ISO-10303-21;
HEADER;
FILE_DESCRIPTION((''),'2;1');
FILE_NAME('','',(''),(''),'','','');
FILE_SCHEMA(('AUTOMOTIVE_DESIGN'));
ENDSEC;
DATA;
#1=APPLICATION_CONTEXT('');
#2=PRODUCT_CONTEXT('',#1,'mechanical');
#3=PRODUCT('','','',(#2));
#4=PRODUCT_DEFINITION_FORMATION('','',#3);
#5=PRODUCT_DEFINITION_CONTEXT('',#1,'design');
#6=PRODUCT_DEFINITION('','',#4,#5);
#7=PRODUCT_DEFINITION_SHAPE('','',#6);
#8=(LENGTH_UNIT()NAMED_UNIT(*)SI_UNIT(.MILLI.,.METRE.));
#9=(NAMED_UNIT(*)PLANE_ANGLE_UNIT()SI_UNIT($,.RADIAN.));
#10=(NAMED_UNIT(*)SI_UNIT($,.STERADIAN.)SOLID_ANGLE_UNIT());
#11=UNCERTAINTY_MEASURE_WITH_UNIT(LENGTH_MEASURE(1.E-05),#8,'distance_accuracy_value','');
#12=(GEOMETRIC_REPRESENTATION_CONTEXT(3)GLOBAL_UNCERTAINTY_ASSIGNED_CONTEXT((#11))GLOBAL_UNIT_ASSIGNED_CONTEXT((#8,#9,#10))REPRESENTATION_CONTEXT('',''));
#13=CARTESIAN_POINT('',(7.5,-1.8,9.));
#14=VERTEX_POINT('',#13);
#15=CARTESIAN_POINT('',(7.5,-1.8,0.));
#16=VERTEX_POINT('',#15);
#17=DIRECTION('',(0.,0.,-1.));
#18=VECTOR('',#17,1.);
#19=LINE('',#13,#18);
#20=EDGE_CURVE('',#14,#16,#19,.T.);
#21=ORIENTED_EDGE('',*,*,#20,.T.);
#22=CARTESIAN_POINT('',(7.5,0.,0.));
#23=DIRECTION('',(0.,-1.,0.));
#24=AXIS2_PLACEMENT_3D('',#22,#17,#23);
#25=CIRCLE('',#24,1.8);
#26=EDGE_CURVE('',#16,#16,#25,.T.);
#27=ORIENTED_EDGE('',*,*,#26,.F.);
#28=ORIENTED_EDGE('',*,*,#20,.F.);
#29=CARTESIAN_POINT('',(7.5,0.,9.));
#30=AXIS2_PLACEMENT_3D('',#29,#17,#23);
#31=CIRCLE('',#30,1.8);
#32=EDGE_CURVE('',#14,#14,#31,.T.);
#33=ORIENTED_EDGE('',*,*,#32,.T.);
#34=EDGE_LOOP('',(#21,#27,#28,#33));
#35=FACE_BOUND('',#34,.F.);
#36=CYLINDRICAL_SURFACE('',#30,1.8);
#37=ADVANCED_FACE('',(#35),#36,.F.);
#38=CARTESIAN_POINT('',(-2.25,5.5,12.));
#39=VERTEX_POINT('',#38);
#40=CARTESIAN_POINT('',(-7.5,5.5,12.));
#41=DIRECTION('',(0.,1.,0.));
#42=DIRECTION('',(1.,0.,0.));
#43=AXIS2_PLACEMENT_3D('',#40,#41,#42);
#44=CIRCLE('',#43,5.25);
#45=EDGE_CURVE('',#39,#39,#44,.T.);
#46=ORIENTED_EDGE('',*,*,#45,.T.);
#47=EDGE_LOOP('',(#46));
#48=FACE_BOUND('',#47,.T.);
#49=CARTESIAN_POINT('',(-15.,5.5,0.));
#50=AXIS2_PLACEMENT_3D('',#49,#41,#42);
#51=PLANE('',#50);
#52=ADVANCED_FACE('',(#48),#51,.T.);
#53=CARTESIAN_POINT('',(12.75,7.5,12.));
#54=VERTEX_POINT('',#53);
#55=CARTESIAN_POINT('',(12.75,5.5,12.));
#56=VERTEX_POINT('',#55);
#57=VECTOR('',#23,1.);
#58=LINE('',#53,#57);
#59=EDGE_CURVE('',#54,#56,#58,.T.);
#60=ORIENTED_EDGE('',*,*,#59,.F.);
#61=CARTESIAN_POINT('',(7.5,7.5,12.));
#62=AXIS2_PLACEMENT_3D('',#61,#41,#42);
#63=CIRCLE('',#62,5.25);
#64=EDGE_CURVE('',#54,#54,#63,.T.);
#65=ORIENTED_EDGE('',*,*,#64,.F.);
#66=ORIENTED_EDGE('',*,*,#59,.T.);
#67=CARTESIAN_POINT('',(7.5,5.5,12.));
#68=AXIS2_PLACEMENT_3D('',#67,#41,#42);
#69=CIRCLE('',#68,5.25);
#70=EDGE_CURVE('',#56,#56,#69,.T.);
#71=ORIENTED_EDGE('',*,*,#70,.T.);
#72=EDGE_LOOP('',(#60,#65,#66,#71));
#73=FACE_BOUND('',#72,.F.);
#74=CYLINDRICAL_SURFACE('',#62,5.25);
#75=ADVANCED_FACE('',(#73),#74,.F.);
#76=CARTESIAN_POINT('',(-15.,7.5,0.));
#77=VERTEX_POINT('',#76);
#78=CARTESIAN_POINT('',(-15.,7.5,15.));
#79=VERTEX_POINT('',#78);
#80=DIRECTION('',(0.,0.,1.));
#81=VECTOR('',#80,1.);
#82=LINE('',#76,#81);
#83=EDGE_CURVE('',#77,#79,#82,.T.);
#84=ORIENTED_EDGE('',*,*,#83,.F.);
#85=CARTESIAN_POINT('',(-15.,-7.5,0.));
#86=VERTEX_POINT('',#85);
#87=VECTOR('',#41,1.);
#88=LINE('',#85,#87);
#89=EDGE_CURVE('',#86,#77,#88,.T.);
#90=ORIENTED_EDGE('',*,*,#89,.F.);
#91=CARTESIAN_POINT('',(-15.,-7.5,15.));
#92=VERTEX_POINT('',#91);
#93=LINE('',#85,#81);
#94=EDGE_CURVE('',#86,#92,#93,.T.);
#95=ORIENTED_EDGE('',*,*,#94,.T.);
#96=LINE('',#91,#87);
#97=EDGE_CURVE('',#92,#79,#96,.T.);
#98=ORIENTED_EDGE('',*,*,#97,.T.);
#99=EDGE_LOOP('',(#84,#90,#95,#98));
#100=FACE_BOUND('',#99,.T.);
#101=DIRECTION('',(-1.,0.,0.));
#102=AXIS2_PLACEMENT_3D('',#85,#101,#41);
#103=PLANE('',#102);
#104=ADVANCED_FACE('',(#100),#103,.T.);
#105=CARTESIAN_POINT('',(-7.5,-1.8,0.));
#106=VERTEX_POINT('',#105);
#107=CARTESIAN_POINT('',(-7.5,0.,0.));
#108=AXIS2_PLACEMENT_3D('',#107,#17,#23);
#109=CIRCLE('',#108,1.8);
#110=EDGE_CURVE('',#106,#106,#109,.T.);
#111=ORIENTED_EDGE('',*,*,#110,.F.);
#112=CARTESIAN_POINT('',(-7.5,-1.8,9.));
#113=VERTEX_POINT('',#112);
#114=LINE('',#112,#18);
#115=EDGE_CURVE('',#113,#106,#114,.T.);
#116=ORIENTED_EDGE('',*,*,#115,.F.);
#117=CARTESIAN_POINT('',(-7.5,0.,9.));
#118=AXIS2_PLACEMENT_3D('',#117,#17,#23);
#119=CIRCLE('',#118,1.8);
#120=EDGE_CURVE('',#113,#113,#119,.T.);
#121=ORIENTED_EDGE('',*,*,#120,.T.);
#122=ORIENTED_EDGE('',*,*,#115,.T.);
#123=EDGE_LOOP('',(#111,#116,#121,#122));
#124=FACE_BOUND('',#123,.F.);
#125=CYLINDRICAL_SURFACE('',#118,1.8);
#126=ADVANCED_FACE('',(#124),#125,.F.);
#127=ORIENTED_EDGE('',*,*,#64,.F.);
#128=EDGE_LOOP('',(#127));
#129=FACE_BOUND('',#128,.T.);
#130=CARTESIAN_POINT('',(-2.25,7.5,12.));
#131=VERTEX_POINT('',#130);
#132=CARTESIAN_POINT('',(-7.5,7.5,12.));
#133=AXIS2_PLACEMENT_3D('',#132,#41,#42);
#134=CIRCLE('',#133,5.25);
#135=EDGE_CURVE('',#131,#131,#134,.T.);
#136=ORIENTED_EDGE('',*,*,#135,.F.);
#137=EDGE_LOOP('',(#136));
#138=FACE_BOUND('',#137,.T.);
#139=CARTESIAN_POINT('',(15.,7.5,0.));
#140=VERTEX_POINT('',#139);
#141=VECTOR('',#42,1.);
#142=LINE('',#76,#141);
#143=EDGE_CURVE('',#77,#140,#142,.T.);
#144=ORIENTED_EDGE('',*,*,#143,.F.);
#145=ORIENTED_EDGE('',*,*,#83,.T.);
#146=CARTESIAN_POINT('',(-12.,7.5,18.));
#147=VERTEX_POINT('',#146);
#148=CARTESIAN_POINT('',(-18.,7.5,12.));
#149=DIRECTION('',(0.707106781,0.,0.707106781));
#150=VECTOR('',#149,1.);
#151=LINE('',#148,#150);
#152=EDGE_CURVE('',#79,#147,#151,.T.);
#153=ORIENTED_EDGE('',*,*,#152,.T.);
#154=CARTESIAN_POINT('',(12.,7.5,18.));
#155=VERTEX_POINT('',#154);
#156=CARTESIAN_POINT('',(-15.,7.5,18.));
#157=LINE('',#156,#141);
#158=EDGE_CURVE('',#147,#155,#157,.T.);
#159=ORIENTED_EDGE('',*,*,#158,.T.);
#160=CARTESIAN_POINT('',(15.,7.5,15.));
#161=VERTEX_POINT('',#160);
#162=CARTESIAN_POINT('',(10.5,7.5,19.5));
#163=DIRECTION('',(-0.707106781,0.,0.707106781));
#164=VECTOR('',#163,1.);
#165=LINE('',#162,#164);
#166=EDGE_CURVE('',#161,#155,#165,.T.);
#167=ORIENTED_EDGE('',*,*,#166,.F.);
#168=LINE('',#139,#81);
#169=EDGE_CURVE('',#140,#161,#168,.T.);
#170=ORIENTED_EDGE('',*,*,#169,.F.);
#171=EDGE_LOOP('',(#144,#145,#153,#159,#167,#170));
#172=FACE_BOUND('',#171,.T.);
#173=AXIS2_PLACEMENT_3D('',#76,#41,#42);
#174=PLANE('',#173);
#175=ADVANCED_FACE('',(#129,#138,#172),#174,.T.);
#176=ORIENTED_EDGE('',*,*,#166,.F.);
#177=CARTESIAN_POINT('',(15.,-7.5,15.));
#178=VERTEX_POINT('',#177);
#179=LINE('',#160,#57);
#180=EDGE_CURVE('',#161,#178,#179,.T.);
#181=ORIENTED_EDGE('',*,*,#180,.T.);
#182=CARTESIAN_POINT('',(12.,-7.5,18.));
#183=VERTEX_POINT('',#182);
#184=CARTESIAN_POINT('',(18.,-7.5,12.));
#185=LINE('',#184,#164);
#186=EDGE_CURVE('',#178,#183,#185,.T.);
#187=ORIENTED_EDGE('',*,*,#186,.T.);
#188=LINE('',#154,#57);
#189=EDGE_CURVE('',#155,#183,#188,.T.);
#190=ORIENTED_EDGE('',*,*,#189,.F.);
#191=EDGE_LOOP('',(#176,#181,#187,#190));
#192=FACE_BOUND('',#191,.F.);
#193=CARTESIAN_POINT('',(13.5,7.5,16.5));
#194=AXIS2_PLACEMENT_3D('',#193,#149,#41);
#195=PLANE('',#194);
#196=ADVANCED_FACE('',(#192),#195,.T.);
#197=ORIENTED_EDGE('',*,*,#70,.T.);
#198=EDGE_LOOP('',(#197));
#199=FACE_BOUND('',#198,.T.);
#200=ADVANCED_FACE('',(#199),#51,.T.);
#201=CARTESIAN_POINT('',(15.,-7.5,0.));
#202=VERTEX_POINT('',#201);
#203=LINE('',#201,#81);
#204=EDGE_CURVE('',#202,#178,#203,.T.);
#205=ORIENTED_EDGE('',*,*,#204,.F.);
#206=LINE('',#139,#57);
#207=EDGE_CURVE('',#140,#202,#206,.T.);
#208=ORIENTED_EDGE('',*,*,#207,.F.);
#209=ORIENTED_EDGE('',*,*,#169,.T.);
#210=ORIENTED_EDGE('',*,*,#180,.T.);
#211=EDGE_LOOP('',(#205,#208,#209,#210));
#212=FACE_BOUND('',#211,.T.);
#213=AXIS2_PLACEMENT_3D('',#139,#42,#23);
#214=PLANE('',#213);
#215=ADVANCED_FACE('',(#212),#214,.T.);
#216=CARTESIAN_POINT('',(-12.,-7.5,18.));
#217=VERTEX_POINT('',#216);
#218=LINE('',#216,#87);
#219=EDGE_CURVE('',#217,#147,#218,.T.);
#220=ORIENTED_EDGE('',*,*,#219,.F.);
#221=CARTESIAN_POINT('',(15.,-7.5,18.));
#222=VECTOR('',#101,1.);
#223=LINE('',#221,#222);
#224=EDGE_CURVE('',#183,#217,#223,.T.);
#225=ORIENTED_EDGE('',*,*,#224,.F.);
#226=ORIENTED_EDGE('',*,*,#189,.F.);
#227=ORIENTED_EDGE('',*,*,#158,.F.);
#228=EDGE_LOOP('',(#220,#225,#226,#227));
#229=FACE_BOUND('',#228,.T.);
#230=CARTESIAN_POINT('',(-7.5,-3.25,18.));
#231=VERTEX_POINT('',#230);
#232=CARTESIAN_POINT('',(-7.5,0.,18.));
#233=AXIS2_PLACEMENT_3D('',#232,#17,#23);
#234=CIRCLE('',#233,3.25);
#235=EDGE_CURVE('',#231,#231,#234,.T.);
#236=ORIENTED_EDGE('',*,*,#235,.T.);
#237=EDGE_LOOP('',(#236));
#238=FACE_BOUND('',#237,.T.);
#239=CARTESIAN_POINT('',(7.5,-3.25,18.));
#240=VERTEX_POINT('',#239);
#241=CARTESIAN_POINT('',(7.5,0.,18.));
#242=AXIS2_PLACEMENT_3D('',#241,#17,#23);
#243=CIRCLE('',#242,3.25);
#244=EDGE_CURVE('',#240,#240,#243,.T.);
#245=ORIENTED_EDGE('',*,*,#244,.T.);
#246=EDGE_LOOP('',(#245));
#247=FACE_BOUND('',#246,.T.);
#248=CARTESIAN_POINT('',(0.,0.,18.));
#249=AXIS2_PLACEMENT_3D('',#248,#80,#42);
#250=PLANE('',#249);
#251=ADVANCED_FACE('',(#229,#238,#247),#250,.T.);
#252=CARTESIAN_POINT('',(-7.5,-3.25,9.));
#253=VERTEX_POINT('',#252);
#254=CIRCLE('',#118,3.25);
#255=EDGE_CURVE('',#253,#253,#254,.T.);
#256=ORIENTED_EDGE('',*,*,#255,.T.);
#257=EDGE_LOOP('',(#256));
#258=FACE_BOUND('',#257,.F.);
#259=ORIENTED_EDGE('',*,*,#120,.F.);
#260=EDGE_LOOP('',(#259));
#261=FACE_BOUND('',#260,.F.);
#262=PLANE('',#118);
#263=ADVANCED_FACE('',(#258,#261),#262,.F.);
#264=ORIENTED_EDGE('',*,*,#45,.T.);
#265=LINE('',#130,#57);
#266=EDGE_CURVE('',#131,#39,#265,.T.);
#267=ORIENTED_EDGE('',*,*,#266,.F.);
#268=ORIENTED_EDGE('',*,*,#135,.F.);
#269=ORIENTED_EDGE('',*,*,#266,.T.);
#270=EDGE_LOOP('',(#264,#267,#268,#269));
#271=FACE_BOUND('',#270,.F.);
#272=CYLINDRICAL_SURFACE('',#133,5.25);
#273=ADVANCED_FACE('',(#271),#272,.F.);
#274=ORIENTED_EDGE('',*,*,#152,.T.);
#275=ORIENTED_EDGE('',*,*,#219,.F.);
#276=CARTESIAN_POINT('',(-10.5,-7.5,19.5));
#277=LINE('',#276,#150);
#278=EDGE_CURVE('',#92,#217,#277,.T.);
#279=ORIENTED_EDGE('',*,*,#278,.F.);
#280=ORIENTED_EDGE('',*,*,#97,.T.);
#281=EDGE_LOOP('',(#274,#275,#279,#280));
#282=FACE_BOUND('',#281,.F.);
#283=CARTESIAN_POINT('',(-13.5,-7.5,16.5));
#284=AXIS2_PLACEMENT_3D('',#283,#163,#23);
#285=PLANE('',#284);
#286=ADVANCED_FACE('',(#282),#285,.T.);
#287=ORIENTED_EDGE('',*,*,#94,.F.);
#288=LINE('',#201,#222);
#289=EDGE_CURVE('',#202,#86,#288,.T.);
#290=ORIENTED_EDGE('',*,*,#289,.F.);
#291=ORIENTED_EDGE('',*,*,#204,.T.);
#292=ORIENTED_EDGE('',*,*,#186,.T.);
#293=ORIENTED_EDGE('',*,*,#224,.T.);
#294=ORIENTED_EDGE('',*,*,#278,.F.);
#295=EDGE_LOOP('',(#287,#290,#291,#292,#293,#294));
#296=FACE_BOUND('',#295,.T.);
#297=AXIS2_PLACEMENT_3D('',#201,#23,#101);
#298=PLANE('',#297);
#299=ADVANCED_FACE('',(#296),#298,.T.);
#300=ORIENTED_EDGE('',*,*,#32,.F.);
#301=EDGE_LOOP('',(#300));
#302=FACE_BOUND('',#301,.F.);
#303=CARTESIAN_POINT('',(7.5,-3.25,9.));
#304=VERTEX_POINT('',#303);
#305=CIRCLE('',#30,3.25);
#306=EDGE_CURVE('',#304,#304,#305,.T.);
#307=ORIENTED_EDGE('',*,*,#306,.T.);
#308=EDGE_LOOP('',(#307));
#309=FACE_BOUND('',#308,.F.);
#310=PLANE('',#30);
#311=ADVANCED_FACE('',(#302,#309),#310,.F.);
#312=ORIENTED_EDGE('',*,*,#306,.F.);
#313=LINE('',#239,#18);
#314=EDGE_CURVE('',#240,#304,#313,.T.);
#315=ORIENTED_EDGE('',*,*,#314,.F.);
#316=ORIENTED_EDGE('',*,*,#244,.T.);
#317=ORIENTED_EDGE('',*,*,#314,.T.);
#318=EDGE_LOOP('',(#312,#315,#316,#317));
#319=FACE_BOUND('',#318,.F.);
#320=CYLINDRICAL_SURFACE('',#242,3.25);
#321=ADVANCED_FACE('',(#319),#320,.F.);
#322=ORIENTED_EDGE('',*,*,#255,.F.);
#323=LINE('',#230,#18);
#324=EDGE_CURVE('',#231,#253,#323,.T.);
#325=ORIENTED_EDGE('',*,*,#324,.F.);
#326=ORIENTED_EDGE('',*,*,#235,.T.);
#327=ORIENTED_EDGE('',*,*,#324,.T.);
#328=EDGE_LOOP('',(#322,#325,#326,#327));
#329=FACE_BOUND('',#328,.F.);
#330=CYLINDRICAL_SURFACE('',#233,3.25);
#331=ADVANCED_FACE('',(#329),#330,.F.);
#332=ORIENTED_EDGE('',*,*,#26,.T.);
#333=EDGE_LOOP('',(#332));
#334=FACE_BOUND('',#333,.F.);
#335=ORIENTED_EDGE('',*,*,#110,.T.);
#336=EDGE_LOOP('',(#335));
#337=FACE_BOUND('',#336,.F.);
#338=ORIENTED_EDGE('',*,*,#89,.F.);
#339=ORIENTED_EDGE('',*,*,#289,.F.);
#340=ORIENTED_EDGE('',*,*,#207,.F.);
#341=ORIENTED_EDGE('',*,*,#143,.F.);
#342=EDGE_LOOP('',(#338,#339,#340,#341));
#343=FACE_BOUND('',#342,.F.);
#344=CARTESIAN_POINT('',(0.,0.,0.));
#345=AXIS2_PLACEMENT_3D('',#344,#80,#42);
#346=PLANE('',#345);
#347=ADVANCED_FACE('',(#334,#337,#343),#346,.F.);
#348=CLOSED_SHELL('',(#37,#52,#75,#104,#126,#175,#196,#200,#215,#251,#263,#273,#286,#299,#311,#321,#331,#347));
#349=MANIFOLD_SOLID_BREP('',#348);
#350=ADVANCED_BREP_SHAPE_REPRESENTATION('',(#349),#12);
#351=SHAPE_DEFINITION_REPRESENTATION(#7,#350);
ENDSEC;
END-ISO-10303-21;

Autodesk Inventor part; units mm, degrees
ref_plane "YZ Plane" through (0, 0, 0) normal (1, 0, 0) x (0, 1, 0)
ref_plane "XZ Plane" through (0, 0, 0) normal (0, 1, 0) x (-1, 0, 0)
ref_plane "XY Plane" through (0, 0, 0) normal (0, 0, 1) x (1, 0, 0)
sketch "Sketch1" plane through (0, 0, 0) normal (0, 0, 1) x (1, 0, 0)
  line L0 (15, -7.5) -> (-15, -7.5)
  line L1 (-15, -7.5) -> (-15, 7.5)
  line L2 (-15, 7.5) -> (15, 7.5)
  line L3 (15, 7.5) -> (15, -7.5)
  line L4 (15, -7.5) -> (-15, 7.5) construction
  line L5 (-15, -7.5) -> (15, 7.5) construction
  point P0 (0, 0)
  dimension "d0" = 15
  dimension "d1" = 30
extrude "Extrusion1" add sketch "Sketch1" along normal blind 18
sketch "Sketch2" plane through (-15, 7.5, 0) normal (0, 1, 0) x (1, 0, 0)
  line L0 (30, 0) -> (0, 0) projected
  line L1 (0, 0) -> (0, -18) projected
  line L2 (30, -18) -> (0, -18) projected
  line L3 (30, 0) -> (30, -18) projected
  circle A0 centre (7.5, -12) radius 5.25
  circle A1 centre (22.5, -12) radius 5.25
  line L4 (30, 0) -> (0, 0) projected
  point P0 (15, 0)
  point P1 (15, 0)
  point P2 (15, 0)
  dimension "d4" = 10.5
  dimension "d5" = 6
  dimension "d6" = 7.5
  dimension "d7" = 7.5
extrude "Extrusion2" cut sketch "Sketch2" against normal blind 2 contours A0 | A1
chamfer "Chamfer1" distance 3 angle 45 2 edges at (15, 0, 18) (-15, 0, 18)
sketch "Sketch3" plane through (0, 0, 18) normal (0, 0, 1) x (1, 0, 0)
  line L0 (-12, -7.5) -> (-12, 7.5) projected
  line L1 (-12, -7.5) -> (12, -7.5) projected
  line L2 (12, 7.5) -> (12, -7.5) projected
  line L3 (12, 7.5) -> (-12, 7.5) projected
  point P0 (0, 0)
  point P1 (-7.5, 0)
  point P2 (7.5, 0)
  dimension "d13" = 7.5
  dimension "d14" = 7.5
hole "Hole1" at (-7.5, 0, 18) at (7.5, 0, 18) direction (0, 0, -1) diameter 3.6 end through all counterbore diameter 6.5 counterbore depth 9 clearance for "Socket Head Cap Screw ISO 4762" size "M3" standard "ISO"
equation "\"d7\" = d6"
equation "\"d14\" = d13"
properties part number "Door Base Magnet" material "ABS Plastic"
